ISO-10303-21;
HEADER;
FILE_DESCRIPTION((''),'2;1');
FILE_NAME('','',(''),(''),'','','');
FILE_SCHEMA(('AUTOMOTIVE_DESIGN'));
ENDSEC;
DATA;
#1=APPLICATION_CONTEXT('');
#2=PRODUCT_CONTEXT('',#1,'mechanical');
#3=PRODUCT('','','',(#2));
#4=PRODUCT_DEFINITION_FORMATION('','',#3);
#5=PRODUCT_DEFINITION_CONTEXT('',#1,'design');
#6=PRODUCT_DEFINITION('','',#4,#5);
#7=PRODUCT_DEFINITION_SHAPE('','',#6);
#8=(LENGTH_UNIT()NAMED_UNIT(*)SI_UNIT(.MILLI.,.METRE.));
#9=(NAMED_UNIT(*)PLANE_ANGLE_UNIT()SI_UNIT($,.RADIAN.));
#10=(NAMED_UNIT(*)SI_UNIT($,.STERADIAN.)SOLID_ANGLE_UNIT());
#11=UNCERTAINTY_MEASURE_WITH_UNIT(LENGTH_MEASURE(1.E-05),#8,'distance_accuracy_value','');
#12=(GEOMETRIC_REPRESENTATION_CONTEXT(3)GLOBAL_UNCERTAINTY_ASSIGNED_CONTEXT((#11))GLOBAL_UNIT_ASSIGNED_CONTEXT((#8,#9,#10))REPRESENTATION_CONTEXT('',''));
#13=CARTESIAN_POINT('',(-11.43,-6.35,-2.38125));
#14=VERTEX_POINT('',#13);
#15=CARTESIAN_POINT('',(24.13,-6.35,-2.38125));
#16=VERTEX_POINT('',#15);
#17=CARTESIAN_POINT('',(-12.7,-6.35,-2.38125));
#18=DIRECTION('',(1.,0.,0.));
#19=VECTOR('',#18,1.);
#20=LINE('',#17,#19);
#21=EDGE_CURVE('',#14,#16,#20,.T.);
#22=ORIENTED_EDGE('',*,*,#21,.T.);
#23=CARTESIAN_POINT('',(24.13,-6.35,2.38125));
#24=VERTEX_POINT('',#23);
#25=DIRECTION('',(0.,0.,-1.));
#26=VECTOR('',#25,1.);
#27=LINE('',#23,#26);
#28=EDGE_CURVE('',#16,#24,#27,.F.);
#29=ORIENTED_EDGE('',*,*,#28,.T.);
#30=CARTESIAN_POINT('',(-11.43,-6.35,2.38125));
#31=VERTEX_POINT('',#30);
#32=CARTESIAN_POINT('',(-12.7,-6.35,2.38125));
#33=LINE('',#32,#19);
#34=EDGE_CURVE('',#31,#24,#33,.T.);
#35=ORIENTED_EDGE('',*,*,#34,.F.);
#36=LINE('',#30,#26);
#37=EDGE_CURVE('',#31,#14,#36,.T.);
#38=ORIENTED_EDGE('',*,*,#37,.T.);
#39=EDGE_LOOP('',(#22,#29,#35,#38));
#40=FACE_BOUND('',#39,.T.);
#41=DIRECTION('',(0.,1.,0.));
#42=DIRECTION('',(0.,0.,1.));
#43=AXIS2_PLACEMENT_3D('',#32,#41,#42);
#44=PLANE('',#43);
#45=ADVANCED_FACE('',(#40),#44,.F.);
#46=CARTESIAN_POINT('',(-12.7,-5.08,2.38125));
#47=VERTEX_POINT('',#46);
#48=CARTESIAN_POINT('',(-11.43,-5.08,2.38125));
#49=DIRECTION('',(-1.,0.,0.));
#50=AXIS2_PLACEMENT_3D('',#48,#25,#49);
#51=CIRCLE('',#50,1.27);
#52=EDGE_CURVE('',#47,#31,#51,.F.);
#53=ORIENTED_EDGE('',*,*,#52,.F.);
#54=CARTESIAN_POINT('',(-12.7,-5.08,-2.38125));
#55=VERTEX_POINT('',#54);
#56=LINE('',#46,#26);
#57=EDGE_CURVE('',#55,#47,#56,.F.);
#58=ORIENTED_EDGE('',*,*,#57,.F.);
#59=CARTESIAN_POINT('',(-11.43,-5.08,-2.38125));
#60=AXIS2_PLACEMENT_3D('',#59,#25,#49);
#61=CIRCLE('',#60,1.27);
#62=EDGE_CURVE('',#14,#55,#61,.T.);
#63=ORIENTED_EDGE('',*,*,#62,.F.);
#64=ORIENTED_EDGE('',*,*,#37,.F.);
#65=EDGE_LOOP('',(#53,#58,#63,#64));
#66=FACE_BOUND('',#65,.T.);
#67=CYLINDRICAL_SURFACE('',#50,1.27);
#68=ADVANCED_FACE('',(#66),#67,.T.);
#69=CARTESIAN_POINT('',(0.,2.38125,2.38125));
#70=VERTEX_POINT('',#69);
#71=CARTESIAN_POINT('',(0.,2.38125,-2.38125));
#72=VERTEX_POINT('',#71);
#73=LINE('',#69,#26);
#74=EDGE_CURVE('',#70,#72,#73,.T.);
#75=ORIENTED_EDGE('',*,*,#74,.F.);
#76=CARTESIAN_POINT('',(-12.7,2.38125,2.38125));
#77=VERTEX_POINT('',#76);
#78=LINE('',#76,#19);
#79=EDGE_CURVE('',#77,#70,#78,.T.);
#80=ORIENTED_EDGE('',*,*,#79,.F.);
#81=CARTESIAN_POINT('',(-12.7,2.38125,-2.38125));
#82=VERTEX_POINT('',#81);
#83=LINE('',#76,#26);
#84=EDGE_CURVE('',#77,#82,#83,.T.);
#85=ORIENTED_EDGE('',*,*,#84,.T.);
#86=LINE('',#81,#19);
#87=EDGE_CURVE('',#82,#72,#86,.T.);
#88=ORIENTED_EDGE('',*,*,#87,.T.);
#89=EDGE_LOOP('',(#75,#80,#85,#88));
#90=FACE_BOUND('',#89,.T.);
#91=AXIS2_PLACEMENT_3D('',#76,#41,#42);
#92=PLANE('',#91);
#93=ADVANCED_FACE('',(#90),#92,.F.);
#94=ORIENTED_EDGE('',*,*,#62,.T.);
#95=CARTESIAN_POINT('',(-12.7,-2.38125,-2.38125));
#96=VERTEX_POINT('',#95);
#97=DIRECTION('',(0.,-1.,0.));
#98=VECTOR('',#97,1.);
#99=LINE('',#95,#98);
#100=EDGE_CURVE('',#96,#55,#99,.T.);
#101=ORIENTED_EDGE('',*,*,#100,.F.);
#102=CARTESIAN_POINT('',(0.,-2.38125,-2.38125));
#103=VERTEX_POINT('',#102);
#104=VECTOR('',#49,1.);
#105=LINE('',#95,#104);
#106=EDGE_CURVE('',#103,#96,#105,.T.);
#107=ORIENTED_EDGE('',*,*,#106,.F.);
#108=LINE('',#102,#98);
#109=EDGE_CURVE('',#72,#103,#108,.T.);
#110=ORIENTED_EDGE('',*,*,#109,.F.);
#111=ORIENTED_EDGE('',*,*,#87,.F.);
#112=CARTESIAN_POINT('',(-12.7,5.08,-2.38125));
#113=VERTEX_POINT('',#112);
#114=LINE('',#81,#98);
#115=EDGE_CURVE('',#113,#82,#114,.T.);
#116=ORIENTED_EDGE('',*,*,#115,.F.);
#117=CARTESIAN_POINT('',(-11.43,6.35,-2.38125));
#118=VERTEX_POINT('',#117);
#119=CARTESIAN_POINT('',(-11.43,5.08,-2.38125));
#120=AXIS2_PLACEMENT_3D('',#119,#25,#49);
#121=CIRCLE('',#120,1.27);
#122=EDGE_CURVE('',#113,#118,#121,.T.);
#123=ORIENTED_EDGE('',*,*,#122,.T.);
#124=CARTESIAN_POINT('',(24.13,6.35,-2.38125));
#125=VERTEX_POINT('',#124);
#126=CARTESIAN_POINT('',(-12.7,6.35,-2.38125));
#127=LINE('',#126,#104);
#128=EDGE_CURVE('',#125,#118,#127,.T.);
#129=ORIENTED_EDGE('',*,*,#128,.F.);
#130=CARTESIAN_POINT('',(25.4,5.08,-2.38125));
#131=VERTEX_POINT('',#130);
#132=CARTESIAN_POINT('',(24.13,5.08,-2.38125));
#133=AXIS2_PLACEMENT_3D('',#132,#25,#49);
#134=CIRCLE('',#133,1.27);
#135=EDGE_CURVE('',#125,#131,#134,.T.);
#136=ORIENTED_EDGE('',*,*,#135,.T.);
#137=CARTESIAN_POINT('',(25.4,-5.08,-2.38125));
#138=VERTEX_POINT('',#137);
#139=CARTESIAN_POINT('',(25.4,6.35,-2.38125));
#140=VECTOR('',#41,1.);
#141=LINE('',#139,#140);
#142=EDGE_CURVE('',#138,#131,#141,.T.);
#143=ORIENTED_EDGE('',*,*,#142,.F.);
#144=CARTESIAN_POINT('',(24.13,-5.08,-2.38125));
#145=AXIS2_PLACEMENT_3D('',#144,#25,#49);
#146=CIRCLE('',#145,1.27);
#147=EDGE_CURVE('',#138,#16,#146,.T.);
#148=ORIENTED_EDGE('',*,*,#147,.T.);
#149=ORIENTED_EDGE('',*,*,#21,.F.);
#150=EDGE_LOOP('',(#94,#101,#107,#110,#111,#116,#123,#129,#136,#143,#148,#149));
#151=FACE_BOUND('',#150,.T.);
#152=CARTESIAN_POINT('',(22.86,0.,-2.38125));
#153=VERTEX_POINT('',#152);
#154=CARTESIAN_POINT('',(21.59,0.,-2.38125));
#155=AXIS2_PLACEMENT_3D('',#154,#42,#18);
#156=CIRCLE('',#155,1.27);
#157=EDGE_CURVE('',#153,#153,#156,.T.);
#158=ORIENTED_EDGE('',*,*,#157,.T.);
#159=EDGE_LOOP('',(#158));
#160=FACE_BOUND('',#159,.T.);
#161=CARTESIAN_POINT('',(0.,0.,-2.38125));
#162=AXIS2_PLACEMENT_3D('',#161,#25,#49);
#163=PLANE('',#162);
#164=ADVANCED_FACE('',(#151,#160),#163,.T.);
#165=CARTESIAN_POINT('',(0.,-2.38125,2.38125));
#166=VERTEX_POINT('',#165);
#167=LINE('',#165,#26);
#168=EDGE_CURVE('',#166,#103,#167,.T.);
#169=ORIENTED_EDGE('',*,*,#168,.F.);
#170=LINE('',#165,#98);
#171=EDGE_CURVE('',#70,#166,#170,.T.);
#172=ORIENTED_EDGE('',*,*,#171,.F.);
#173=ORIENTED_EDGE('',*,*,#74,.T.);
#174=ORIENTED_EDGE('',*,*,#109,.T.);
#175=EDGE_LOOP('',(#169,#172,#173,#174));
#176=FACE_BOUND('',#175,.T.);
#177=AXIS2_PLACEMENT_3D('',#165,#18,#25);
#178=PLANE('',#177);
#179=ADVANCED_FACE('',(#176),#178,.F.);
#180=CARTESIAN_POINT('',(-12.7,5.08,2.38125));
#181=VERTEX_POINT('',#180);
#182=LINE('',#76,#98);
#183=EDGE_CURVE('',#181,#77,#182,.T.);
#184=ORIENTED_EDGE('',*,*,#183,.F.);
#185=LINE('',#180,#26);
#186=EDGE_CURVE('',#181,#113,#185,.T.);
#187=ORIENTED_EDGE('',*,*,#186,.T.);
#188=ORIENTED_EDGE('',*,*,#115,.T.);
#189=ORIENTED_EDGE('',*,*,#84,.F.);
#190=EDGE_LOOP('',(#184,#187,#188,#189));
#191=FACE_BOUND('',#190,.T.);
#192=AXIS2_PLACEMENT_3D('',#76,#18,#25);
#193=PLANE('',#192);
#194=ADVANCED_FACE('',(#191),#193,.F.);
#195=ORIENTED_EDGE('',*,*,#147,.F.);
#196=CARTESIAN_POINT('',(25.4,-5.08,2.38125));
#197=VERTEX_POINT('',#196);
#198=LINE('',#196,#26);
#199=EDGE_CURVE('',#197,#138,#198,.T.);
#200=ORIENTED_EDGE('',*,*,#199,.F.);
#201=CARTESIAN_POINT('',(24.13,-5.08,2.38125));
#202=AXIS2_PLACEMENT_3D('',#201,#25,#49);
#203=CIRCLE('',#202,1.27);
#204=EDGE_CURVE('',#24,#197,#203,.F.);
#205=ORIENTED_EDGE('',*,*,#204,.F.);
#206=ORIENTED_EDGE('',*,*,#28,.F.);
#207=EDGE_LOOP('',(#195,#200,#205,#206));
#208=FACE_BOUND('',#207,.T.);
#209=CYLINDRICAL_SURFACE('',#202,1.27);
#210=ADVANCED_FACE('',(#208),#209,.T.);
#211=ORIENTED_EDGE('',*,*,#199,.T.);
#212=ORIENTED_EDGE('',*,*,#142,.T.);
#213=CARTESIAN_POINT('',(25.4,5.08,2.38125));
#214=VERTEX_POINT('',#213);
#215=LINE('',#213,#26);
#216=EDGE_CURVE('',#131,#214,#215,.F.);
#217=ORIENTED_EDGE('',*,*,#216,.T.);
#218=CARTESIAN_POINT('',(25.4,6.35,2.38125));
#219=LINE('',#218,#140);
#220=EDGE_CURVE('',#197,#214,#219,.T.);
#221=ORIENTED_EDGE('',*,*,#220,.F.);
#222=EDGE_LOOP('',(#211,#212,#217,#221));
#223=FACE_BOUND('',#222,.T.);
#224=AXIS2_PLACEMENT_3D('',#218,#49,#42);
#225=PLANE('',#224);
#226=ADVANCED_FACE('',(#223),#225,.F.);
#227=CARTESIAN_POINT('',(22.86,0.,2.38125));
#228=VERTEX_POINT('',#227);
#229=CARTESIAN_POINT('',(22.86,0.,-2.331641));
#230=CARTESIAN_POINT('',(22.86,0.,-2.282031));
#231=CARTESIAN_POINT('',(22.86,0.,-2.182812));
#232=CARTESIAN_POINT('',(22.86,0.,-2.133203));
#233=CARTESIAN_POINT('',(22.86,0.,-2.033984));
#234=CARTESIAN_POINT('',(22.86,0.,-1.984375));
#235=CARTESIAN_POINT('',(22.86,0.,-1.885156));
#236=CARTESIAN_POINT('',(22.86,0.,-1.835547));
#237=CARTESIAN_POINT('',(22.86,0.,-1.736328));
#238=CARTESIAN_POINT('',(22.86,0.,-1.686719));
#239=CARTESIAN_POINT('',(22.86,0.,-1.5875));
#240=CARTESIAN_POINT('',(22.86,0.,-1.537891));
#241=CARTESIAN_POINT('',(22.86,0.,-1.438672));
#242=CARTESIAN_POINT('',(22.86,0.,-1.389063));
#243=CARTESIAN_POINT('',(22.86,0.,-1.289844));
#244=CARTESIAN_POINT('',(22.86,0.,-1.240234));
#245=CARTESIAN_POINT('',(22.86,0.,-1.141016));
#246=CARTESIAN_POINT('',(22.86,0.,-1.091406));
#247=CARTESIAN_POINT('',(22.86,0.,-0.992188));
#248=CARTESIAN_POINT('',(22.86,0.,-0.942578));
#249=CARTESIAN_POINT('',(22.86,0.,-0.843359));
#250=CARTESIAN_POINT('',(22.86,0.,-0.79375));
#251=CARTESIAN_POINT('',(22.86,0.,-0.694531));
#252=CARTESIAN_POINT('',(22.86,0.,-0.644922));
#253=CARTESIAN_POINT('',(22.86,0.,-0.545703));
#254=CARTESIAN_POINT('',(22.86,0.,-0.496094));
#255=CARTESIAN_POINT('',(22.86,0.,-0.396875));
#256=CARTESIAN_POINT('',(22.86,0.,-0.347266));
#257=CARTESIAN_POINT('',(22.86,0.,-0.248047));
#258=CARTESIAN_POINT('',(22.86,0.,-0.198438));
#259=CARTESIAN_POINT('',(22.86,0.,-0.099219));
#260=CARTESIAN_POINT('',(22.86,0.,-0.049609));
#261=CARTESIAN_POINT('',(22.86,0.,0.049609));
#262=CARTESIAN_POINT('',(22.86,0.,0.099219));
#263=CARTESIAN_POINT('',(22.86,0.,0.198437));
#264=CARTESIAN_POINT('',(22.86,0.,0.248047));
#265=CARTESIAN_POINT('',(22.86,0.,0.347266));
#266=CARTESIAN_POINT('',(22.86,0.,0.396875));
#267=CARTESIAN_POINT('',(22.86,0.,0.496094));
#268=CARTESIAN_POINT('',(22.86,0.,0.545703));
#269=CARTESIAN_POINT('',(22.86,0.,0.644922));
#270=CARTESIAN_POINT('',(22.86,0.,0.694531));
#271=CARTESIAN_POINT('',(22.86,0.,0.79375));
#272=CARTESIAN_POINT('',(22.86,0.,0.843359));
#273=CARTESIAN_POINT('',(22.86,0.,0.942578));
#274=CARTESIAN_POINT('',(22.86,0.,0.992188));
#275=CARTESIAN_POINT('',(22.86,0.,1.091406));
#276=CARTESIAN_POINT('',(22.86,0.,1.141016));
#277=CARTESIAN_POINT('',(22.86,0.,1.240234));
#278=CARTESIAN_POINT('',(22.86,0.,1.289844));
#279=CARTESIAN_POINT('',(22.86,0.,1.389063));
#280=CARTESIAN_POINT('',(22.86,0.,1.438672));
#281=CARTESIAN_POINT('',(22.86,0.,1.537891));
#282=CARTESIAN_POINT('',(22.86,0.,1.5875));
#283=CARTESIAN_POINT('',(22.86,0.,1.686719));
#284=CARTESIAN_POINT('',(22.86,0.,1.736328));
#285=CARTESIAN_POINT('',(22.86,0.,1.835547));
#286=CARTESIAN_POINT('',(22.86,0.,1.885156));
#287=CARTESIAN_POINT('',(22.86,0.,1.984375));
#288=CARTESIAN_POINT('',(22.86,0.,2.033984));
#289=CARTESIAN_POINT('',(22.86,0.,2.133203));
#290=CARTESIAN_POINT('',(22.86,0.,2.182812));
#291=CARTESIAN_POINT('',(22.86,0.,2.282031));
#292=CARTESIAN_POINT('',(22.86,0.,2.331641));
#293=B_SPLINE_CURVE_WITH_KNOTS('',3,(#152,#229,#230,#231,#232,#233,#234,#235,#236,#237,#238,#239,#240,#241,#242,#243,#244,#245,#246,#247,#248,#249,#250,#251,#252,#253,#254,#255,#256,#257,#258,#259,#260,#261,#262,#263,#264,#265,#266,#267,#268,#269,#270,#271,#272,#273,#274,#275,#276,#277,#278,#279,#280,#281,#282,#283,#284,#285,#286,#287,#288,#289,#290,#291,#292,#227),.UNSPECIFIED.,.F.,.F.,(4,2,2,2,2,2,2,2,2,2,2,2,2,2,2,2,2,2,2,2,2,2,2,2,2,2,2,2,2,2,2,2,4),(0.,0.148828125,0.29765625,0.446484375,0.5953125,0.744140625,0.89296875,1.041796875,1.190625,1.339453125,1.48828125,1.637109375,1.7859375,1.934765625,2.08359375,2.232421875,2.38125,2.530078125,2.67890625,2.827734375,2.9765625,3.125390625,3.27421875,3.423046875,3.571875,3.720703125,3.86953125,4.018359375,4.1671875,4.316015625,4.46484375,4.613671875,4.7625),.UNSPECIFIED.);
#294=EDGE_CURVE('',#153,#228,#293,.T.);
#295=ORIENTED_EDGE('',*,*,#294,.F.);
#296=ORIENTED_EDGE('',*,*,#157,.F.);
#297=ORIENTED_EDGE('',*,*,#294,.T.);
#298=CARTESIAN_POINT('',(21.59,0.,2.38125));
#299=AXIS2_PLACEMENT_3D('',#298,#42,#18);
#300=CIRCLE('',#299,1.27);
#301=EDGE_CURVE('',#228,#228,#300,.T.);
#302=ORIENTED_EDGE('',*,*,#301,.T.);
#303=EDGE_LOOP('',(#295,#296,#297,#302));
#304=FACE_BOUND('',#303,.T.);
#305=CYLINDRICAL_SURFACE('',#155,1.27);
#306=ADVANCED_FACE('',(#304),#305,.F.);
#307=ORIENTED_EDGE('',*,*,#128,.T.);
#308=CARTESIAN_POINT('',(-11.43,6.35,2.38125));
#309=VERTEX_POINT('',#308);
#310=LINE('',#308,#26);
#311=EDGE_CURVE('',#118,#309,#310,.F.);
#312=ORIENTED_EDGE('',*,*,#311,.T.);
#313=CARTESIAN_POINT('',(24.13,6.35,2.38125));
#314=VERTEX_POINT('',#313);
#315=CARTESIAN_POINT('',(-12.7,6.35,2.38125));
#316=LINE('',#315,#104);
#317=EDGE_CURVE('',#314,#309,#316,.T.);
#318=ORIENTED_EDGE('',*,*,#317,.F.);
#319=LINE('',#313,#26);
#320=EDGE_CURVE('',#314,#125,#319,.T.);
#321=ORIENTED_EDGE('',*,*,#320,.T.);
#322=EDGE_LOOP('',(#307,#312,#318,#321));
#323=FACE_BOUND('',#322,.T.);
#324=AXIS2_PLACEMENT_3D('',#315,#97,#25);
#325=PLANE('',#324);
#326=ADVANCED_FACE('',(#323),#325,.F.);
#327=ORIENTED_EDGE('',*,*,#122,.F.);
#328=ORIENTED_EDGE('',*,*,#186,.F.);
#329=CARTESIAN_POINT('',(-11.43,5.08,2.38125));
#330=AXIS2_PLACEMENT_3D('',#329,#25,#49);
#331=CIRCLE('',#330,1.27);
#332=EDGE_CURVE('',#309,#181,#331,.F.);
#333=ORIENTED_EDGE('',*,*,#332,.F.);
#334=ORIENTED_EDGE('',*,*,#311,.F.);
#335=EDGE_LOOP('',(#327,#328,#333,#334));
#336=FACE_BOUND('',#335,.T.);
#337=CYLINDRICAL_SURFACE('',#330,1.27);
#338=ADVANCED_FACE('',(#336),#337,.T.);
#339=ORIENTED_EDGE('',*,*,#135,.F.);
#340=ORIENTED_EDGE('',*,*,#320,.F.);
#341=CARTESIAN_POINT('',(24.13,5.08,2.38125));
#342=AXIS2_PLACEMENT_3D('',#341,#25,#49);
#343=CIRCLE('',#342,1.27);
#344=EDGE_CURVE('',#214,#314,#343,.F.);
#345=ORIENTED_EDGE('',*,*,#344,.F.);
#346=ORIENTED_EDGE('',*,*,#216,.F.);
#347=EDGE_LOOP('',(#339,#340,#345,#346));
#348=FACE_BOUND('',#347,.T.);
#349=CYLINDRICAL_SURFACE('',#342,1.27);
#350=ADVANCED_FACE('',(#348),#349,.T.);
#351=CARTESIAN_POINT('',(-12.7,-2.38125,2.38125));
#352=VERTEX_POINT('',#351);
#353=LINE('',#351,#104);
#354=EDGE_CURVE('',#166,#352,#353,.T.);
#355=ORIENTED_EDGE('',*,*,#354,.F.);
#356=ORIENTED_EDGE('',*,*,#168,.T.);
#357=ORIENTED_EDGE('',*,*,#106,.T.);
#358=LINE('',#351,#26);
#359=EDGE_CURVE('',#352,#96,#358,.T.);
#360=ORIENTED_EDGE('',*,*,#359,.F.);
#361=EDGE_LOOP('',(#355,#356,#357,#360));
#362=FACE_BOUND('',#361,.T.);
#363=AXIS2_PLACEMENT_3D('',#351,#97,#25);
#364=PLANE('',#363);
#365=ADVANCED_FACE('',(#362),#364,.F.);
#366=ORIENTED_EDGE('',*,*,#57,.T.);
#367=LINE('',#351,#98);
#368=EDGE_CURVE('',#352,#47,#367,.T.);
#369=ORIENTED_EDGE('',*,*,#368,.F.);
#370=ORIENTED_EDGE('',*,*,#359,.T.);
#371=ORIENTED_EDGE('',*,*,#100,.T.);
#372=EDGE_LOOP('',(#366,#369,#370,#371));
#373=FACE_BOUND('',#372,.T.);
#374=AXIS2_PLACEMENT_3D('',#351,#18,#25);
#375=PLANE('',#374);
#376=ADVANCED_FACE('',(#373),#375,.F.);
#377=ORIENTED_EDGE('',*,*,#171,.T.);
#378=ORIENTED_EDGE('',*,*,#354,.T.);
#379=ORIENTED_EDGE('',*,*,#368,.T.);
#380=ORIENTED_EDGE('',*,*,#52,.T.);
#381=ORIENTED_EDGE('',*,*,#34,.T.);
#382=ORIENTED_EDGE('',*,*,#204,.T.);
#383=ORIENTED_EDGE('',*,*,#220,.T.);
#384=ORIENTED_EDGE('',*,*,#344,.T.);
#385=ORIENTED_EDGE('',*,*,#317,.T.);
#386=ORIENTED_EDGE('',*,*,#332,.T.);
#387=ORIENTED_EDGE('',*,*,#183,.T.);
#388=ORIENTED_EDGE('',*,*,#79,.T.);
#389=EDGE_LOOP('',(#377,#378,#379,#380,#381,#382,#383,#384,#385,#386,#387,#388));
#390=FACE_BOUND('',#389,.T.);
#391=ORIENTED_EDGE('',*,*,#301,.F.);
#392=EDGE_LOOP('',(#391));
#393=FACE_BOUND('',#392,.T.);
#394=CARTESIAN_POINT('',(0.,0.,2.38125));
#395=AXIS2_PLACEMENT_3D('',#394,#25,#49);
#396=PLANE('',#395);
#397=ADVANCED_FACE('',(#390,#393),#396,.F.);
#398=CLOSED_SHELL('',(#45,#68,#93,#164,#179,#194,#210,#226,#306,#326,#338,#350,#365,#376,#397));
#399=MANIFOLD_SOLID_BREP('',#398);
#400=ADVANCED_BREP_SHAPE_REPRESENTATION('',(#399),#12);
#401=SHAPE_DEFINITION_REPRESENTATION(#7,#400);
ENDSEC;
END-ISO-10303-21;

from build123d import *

# Parameters (mm, degrees)
BOSS_EXTRUDE1_DEPTH = 2.38125
FILLET1_R           = 1.27
SKETCH2_R           = 1.27
CUT_EXTRUDE1_DEPTH  = 27.6113492


with BuildPart() as part:
    # Sketch1 → Boss-Extrude1 (new, symmetric)
    with BuildSketch(Plane.XY):
        Polygon((-12.7, 2.38125), (-12.7, 6.35), (25.4, 6.35), (25.4, -6.35), (-12.7, -6.35), (-12.7, -2.38125), (0, -2.38125), (0, 2.38125), align=None)
    extrude(amount=BOSS_EXTRUDE1_DEPTH, both=True)

    # Fillet1
    fillet1_edges = [part.edges().sort_by_distance(p)[0] for p in [
        (-12.7, 6.35, 0),
        (25.4, 6.35, 0),
        (25.4, -6.35, 0),
        (-12.7, -6.35, 0),
    ]]
    fillet(fillet1_edges, radius=FILLET1_R)

    # Sketch2 → Cut-Extrude1 (cut, through all)
    with BuildSketch(Plane.XY.offset(2.38125)):
        with Locations((21.59, 0)):
            Circle(SKETCH2_R)
    extrude(amount=-CUT_EXTRUDE1_DEPTH, mode=Mode.SUBTRACT)


solid = part.part
